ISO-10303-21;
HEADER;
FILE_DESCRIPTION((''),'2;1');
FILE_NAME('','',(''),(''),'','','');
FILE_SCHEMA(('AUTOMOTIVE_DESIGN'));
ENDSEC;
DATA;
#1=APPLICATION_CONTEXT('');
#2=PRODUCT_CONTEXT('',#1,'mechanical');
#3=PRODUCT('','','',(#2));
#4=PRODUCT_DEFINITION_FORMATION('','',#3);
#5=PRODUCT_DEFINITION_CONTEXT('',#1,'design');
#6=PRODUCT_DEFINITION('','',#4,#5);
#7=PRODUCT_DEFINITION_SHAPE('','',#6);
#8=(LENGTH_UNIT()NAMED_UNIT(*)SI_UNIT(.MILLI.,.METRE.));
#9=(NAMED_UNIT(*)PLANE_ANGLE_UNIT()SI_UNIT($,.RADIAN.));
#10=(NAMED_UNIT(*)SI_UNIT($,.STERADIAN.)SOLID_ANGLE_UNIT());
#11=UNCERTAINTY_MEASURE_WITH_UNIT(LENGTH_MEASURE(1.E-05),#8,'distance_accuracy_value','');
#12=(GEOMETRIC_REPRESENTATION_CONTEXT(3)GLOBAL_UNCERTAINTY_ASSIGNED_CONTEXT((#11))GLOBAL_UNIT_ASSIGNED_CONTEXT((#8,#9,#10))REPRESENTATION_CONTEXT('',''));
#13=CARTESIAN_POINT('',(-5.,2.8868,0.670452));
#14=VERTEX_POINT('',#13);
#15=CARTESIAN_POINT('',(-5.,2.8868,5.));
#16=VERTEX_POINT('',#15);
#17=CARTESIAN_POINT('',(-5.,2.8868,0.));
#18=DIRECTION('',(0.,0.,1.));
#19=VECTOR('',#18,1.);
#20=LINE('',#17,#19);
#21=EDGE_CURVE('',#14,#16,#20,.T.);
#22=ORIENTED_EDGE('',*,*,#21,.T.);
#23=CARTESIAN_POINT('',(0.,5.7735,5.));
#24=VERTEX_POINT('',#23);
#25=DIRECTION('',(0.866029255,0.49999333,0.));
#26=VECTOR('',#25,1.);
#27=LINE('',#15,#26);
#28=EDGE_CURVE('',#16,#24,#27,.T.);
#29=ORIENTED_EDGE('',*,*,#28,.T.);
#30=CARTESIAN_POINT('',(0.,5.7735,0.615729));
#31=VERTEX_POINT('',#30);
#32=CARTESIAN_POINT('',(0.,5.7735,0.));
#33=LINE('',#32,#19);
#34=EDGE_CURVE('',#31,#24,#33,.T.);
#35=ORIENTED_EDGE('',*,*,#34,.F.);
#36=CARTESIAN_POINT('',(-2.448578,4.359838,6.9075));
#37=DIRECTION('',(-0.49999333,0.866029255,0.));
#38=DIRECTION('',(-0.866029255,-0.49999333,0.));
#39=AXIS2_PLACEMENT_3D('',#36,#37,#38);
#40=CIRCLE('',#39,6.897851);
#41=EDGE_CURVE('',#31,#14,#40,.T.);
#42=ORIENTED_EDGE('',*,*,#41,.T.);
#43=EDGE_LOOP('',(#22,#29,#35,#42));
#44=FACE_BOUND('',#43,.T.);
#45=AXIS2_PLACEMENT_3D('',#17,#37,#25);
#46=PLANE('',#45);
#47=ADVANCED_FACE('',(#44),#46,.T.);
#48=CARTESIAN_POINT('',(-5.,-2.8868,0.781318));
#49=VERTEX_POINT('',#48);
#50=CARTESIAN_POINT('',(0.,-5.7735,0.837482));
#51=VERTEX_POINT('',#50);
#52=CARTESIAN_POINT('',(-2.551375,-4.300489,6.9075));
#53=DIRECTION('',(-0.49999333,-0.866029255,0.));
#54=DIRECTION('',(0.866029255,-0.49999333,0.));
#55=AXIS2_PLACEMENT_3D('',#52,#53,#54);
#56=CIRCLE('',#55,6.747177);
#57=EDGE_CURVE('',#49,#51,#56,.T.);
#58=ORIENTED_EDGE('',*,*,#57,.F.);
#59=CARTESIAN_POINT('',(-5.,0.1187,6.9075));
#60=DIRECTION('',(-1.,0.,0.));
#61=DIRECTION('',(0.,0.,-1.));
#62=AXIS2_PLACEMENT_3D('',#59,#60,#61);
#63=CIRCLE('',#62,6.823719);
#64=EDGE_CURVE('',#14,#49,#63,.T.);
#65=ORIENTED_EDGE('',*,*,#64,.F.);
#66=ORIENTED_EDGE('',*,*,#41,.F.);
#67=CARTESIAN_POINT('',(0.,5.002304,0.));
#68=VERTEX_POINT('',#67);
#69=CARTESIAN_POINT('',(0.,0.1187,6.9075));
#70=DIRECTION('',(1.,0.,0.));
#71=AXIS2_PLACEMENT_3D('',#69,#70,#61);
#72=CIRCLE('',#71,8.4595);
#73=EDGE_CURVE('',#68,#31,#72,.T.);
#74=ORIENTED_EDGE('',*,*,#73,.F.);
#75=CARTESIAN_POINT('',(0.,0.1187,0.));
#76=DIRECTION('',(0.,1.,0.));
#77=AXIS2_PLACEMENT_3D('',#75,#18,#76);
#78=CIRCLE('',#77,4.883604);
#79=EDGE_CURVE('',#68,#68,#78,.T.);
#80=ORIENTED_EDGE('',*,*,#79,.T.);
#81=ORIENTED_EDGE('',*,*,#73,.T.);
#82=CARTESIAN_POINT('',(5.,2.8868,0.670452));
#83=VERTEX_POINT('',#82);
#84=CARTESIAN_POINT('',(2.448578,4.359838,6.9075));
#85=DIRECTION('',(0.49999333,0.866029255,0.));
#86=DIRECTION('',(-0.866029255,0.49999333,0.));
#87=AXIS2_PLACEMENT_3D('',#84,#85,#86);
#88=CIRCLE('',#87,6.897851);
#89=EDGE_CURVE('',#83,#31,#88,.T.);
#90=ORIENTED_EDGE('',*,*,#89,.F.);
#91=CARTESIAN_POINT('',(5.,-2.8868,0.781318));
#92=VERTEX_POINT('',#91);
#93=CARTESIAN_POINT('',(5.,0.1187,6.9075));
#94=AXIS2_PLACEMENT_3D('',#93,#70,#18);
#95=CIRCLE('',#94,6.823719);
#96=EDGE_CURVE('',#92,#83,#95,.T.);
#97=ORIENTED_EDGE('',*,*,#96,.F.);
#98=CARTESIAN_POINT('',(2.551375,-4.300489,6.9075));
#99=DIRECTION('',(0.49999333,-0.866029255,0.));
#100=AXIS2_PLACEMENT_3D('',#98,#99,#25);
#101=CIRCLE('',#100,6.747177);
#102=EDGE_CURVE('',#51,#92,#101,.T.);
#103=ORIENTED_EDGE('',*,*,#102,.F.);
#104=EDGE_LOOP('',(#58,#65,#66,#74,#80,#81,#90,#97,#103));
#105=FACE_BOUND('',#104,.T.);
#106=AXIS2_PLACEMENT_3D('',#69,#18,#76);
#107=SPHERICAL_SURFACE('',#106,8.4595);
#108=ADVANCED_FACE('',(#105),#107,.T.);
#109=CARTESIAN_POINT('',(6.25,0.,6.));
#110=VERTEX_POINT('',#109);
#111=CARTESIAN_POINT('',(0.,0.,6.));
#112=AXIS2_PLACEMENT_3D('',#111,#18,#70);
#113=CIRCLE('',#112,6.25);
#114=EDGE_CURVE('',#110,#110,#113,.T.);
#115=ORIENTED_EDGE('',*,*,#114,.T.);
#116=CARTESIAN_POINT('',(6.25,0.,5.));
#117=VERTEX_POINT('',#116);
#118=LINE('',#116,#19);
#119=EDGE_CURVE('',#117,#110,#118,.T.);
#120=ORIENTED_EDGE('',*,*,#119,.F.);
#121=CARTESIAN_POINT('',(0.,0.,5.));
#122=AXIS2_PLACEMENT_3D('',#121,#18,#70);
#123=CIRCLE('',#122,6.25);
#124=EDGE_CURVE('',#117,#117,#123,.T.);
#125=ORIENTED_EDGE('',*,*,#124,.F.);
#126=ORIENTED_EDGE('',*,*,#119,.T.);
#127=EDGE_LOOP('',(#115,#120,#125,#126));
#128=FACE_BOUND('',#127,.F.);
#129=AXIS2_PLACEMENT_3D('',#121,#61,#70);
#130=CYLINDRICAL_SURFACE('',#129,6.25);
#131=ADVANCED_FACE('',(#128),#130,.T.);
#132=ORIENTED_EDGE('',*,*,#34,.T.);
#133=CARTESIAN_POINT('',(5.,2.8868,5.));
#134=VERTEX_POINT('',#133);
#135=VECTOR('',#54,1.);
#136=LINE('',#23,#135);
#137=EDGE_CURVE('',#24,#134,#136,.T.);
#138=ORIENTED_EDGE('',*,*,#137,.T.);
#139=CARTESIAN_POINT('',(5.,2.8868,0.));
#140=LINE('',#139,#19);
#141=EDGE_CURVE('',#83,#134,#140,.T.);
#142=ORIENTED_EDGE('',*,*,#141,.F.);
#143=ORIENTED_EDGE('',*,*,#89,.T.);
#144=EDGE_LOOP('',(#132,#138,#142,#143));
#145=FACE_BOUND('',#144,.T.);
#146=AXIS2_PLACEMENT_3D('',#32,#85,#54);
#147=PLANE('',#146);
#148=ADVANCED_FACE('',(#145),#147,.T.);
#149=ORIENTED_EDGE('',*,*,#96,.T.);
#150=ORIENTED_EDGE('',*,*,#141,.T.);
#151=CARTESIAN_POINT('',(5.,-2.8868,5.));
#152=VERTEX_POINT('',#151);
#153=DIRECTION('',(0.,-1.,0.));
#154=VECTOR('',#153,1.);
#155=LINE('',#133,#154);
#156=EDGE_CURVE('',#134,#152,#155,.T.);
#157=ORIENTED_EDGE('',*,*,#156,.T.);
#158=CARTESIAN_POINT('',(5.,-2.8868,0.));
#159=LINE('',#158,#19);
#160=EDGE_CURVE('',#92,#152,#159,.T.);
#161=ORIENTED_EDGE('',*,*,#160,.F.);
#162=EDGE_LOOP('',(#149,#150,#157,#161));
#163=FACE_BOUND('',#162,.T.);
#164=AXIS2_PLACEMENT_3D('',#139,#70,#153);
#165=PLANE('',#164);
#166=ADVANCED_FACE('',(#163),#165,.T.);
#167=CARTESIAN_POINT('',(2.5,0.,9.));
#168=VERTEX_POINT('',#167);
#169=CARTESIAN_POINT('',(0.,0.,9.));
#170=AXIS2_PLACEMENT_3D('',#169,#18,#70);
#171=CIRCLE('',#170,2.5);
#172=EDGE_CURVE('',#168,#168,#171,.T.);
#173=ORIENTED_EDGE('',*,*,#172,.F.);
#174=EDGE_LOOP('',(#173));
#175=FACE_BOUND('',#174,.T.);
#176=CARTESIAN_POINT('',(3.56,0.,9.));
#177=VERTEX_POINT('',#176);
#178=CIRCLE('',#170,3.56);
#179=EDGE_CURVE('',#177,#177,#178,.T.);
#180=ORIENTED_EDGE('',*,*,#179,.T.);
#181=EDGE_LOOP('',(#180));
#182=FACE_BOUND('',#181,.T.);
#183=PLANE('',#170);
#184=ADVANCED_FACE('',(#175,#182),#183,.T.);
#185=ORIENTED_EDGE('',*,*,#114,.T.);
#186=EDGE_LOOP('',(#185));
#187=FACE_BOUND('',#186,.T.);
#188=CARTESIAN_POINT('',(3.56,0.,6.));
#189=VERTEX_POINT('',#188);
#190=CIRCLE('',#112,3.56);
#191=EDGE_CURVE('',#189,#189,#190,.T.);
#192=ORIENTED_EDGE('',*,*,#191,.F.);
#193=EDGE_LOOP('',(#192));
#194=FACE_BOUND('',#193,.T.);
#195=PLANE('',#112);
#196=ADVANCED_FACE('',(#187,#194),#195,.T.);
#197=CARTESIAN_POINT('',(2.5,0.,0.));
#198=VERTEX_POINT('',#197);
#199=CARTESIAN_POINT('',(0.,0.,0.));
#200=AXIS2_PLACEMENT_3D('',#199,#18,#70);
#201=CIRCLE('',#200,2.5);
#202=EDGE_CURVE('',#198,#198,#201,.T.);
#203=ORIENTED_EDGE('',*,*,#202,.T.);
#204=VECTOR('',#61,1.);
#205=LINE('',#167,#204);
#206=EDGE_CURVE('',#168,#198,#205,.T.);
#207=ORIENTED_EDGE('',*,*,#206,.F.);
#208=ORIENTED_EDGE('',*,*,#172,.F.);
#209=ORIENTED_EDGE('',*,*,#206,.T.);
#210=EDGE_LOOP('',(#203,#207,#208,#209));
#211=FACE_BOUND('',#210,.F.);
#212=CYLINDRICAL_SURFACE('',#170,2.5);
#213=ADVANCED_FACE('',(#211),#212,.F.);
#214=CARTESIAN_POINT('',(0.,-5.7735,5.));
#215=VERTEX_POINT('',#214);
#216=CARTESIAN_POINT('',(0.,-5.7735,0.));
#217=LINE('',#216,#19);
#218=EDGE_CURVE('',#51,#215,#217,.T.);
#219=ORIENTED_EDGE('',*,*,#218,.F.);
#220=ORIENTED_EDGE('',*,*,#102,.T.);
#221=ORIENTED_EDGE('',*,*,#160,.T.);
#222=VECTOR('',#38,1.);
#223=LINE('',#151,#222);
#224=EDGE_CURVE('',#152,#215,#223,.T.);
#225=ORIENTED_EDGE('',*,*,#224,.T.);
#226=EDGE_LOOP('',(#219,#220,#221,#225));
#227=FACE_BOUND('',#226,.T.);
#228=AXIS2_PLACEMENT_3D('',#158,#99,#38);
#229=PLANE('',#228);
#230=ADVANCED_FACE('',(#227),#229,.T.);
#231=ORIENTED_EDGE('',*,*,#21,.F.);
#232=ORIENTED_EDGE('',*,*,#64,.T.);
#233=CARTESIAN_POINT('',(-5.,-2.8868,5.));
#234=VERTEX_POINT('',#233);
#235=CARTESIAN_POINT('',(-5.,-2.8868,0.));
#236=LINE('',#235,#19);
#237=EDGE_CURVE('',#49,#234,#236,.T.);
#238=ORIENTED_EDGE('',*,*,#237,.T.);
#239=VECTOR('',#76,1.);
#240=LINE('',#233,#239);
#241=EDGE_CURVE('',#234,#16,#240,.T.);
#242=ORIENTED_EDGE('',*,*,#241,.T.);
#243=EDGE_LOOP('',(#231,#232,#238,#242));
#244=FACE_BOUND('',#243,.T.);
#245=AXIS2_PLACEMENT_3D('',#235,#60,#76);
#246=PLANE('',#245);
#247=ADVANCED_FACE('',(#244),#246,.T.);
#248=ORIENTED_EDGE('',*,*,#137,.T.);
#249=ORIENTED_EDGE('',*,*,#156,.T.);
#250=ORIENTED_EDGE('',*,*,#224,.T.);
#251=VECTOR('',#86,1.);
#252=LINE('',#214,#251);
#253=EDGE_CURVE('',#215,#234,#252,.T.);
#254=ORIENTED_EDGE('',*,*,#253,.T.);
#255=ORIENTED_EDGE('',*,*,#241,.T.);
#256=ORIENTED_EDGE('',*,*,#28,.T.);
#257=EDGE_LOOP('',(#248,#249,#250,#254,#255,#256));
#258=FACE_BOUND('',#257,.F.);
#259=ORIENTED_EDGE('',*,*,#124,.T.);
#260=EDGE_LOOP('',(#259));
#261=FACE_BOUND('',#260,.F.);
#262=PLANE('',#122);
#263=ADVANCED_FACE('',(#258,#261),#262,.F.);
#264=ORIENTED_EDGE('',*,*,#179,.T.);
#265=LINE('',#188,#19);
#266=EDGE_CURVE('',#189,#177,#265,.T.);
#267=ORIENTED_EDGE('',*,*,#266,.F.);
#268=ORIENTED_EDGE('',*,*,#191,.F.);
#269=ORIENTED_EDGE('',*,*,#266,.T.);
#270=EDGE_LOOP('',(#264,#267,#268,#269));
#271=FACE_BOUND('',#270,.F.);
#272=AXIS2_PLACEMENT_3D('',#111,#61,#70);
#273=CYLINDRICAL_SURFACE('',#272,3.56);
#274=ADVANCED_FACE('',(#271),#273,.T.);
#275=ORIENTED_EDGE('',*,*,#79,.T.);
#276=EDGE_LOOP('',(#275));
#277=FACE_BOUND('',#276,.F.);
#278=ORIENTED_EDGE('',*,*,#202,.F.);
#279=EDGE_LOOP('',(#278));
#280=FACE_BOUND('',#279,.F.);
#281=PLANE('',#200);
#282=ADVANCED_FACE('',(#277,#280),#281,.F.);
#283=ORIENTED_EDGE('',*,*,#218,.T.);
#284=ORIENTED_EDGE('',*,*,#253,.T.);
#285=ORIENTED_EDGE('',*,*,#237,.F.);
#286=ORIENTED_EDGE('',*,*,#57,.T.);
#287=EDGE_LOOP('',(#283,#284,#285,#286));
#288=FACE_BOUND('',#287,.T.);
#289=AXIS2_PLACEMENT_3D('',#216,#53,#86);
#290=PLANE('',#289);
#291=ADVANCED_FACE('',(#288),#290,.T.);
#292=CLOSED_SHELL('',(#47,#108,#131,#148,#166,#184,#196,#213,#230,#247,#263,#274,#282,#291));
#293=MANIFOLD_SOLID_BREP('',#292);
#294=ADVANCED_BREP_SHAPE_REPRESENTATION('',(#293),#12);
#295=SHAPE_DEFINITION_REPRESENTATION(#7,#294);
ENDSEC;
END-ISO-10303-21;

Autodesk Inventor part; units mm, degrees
ref_plane "YZ Plane" through (0, 0, 0) normal (1, 0, 0) x (0, 1, 0)
ref_plane "XZ Plane" through (0, 0, 0) normal (0, 1, 0) x (-1, 0, 0)
ref_plane "XY Plane" through (0, 0, 0) normal (0, 0, 1) x (1, 0, 0)
sketch "Sketch1" plane through (0, 0, 0) normal (0, 0, 1) x (1, 0, 0)
  line L0 (5, -2.8868) -> (0, -5.7735)
  line L1 (0, -5.7735) -> (-5, -2.8868)
  line L2 (-5, -2.8868) -> (-5, 2.8868)
  line L3 (-5, 2.8868) -> (0, 5.7735)
  line L4 (0, 5.7735) -> (5, 2.8868)
  line L5 (5, 2.8868) -> (5, -2.8868)
  point P0 (0, 0)
  point P1 (0, 0)
  dimension "d0" = 10
extrude "Extrusion1" add sketch "Sketch1" along normal blind 5
sketch "Sketch2" plane through (0, 0, 5) normal (0, 0, 1) x (1, 0, 0)
  circle A0 centre (0, 0) radius 6.25
  dimension "d3" = 12.5
extrude "Extrusion2" add sketch "Sketch2" along normal blind 1
sketch "Sketch3" plane through (0, 0, 6) normal (0, 0, 1) x (1, 0, 0)
  circle A0 centre (0, 0) radius 6.25 projected
  circle A1 centre (0, 0) radius 3.56
  dimension "d6" = 7.12
extrude "Extrusion3" add sketch "Sketch3" along normal blind 3 contours A1
sketch "Sketch4" plane through (0, 0, 9) normal (0, 0, 1) x (1, 0, 0)
  circle A0 centre (0, 0) radius 3.56 projected
  circle A1 centre (0, 0) radius 2.5
  dimension "d9" = 5
extrude "Extrusion4" cut sketch "Sketch4" against normal up to next contours A1
sketch "Sketch5" plane through (0, 0, 0) normal (1, 0, 0) x (0, 1, 0)
  arc A0 (0.1187, -1.552) -> (0.1187, 15.367) centre (0.1187, 6.9075) ccw
  arc A1 (0.1187, -2.8398) -> (0.1187, 16.6548) centre (0.1187, 6.9075) ccw
  line L0 (0.1187, -2.8398) -> (0.1187, 16.6548)
  point P0 (0, 0)
revolve "Revolution1" cut sketch "Sketch5" angle 360 about axis through (0, 0.1187, -2.8398) along (0, 0, 1) contours A0 L0 A1
properties part number "Eccentric Spacer 6mm"
